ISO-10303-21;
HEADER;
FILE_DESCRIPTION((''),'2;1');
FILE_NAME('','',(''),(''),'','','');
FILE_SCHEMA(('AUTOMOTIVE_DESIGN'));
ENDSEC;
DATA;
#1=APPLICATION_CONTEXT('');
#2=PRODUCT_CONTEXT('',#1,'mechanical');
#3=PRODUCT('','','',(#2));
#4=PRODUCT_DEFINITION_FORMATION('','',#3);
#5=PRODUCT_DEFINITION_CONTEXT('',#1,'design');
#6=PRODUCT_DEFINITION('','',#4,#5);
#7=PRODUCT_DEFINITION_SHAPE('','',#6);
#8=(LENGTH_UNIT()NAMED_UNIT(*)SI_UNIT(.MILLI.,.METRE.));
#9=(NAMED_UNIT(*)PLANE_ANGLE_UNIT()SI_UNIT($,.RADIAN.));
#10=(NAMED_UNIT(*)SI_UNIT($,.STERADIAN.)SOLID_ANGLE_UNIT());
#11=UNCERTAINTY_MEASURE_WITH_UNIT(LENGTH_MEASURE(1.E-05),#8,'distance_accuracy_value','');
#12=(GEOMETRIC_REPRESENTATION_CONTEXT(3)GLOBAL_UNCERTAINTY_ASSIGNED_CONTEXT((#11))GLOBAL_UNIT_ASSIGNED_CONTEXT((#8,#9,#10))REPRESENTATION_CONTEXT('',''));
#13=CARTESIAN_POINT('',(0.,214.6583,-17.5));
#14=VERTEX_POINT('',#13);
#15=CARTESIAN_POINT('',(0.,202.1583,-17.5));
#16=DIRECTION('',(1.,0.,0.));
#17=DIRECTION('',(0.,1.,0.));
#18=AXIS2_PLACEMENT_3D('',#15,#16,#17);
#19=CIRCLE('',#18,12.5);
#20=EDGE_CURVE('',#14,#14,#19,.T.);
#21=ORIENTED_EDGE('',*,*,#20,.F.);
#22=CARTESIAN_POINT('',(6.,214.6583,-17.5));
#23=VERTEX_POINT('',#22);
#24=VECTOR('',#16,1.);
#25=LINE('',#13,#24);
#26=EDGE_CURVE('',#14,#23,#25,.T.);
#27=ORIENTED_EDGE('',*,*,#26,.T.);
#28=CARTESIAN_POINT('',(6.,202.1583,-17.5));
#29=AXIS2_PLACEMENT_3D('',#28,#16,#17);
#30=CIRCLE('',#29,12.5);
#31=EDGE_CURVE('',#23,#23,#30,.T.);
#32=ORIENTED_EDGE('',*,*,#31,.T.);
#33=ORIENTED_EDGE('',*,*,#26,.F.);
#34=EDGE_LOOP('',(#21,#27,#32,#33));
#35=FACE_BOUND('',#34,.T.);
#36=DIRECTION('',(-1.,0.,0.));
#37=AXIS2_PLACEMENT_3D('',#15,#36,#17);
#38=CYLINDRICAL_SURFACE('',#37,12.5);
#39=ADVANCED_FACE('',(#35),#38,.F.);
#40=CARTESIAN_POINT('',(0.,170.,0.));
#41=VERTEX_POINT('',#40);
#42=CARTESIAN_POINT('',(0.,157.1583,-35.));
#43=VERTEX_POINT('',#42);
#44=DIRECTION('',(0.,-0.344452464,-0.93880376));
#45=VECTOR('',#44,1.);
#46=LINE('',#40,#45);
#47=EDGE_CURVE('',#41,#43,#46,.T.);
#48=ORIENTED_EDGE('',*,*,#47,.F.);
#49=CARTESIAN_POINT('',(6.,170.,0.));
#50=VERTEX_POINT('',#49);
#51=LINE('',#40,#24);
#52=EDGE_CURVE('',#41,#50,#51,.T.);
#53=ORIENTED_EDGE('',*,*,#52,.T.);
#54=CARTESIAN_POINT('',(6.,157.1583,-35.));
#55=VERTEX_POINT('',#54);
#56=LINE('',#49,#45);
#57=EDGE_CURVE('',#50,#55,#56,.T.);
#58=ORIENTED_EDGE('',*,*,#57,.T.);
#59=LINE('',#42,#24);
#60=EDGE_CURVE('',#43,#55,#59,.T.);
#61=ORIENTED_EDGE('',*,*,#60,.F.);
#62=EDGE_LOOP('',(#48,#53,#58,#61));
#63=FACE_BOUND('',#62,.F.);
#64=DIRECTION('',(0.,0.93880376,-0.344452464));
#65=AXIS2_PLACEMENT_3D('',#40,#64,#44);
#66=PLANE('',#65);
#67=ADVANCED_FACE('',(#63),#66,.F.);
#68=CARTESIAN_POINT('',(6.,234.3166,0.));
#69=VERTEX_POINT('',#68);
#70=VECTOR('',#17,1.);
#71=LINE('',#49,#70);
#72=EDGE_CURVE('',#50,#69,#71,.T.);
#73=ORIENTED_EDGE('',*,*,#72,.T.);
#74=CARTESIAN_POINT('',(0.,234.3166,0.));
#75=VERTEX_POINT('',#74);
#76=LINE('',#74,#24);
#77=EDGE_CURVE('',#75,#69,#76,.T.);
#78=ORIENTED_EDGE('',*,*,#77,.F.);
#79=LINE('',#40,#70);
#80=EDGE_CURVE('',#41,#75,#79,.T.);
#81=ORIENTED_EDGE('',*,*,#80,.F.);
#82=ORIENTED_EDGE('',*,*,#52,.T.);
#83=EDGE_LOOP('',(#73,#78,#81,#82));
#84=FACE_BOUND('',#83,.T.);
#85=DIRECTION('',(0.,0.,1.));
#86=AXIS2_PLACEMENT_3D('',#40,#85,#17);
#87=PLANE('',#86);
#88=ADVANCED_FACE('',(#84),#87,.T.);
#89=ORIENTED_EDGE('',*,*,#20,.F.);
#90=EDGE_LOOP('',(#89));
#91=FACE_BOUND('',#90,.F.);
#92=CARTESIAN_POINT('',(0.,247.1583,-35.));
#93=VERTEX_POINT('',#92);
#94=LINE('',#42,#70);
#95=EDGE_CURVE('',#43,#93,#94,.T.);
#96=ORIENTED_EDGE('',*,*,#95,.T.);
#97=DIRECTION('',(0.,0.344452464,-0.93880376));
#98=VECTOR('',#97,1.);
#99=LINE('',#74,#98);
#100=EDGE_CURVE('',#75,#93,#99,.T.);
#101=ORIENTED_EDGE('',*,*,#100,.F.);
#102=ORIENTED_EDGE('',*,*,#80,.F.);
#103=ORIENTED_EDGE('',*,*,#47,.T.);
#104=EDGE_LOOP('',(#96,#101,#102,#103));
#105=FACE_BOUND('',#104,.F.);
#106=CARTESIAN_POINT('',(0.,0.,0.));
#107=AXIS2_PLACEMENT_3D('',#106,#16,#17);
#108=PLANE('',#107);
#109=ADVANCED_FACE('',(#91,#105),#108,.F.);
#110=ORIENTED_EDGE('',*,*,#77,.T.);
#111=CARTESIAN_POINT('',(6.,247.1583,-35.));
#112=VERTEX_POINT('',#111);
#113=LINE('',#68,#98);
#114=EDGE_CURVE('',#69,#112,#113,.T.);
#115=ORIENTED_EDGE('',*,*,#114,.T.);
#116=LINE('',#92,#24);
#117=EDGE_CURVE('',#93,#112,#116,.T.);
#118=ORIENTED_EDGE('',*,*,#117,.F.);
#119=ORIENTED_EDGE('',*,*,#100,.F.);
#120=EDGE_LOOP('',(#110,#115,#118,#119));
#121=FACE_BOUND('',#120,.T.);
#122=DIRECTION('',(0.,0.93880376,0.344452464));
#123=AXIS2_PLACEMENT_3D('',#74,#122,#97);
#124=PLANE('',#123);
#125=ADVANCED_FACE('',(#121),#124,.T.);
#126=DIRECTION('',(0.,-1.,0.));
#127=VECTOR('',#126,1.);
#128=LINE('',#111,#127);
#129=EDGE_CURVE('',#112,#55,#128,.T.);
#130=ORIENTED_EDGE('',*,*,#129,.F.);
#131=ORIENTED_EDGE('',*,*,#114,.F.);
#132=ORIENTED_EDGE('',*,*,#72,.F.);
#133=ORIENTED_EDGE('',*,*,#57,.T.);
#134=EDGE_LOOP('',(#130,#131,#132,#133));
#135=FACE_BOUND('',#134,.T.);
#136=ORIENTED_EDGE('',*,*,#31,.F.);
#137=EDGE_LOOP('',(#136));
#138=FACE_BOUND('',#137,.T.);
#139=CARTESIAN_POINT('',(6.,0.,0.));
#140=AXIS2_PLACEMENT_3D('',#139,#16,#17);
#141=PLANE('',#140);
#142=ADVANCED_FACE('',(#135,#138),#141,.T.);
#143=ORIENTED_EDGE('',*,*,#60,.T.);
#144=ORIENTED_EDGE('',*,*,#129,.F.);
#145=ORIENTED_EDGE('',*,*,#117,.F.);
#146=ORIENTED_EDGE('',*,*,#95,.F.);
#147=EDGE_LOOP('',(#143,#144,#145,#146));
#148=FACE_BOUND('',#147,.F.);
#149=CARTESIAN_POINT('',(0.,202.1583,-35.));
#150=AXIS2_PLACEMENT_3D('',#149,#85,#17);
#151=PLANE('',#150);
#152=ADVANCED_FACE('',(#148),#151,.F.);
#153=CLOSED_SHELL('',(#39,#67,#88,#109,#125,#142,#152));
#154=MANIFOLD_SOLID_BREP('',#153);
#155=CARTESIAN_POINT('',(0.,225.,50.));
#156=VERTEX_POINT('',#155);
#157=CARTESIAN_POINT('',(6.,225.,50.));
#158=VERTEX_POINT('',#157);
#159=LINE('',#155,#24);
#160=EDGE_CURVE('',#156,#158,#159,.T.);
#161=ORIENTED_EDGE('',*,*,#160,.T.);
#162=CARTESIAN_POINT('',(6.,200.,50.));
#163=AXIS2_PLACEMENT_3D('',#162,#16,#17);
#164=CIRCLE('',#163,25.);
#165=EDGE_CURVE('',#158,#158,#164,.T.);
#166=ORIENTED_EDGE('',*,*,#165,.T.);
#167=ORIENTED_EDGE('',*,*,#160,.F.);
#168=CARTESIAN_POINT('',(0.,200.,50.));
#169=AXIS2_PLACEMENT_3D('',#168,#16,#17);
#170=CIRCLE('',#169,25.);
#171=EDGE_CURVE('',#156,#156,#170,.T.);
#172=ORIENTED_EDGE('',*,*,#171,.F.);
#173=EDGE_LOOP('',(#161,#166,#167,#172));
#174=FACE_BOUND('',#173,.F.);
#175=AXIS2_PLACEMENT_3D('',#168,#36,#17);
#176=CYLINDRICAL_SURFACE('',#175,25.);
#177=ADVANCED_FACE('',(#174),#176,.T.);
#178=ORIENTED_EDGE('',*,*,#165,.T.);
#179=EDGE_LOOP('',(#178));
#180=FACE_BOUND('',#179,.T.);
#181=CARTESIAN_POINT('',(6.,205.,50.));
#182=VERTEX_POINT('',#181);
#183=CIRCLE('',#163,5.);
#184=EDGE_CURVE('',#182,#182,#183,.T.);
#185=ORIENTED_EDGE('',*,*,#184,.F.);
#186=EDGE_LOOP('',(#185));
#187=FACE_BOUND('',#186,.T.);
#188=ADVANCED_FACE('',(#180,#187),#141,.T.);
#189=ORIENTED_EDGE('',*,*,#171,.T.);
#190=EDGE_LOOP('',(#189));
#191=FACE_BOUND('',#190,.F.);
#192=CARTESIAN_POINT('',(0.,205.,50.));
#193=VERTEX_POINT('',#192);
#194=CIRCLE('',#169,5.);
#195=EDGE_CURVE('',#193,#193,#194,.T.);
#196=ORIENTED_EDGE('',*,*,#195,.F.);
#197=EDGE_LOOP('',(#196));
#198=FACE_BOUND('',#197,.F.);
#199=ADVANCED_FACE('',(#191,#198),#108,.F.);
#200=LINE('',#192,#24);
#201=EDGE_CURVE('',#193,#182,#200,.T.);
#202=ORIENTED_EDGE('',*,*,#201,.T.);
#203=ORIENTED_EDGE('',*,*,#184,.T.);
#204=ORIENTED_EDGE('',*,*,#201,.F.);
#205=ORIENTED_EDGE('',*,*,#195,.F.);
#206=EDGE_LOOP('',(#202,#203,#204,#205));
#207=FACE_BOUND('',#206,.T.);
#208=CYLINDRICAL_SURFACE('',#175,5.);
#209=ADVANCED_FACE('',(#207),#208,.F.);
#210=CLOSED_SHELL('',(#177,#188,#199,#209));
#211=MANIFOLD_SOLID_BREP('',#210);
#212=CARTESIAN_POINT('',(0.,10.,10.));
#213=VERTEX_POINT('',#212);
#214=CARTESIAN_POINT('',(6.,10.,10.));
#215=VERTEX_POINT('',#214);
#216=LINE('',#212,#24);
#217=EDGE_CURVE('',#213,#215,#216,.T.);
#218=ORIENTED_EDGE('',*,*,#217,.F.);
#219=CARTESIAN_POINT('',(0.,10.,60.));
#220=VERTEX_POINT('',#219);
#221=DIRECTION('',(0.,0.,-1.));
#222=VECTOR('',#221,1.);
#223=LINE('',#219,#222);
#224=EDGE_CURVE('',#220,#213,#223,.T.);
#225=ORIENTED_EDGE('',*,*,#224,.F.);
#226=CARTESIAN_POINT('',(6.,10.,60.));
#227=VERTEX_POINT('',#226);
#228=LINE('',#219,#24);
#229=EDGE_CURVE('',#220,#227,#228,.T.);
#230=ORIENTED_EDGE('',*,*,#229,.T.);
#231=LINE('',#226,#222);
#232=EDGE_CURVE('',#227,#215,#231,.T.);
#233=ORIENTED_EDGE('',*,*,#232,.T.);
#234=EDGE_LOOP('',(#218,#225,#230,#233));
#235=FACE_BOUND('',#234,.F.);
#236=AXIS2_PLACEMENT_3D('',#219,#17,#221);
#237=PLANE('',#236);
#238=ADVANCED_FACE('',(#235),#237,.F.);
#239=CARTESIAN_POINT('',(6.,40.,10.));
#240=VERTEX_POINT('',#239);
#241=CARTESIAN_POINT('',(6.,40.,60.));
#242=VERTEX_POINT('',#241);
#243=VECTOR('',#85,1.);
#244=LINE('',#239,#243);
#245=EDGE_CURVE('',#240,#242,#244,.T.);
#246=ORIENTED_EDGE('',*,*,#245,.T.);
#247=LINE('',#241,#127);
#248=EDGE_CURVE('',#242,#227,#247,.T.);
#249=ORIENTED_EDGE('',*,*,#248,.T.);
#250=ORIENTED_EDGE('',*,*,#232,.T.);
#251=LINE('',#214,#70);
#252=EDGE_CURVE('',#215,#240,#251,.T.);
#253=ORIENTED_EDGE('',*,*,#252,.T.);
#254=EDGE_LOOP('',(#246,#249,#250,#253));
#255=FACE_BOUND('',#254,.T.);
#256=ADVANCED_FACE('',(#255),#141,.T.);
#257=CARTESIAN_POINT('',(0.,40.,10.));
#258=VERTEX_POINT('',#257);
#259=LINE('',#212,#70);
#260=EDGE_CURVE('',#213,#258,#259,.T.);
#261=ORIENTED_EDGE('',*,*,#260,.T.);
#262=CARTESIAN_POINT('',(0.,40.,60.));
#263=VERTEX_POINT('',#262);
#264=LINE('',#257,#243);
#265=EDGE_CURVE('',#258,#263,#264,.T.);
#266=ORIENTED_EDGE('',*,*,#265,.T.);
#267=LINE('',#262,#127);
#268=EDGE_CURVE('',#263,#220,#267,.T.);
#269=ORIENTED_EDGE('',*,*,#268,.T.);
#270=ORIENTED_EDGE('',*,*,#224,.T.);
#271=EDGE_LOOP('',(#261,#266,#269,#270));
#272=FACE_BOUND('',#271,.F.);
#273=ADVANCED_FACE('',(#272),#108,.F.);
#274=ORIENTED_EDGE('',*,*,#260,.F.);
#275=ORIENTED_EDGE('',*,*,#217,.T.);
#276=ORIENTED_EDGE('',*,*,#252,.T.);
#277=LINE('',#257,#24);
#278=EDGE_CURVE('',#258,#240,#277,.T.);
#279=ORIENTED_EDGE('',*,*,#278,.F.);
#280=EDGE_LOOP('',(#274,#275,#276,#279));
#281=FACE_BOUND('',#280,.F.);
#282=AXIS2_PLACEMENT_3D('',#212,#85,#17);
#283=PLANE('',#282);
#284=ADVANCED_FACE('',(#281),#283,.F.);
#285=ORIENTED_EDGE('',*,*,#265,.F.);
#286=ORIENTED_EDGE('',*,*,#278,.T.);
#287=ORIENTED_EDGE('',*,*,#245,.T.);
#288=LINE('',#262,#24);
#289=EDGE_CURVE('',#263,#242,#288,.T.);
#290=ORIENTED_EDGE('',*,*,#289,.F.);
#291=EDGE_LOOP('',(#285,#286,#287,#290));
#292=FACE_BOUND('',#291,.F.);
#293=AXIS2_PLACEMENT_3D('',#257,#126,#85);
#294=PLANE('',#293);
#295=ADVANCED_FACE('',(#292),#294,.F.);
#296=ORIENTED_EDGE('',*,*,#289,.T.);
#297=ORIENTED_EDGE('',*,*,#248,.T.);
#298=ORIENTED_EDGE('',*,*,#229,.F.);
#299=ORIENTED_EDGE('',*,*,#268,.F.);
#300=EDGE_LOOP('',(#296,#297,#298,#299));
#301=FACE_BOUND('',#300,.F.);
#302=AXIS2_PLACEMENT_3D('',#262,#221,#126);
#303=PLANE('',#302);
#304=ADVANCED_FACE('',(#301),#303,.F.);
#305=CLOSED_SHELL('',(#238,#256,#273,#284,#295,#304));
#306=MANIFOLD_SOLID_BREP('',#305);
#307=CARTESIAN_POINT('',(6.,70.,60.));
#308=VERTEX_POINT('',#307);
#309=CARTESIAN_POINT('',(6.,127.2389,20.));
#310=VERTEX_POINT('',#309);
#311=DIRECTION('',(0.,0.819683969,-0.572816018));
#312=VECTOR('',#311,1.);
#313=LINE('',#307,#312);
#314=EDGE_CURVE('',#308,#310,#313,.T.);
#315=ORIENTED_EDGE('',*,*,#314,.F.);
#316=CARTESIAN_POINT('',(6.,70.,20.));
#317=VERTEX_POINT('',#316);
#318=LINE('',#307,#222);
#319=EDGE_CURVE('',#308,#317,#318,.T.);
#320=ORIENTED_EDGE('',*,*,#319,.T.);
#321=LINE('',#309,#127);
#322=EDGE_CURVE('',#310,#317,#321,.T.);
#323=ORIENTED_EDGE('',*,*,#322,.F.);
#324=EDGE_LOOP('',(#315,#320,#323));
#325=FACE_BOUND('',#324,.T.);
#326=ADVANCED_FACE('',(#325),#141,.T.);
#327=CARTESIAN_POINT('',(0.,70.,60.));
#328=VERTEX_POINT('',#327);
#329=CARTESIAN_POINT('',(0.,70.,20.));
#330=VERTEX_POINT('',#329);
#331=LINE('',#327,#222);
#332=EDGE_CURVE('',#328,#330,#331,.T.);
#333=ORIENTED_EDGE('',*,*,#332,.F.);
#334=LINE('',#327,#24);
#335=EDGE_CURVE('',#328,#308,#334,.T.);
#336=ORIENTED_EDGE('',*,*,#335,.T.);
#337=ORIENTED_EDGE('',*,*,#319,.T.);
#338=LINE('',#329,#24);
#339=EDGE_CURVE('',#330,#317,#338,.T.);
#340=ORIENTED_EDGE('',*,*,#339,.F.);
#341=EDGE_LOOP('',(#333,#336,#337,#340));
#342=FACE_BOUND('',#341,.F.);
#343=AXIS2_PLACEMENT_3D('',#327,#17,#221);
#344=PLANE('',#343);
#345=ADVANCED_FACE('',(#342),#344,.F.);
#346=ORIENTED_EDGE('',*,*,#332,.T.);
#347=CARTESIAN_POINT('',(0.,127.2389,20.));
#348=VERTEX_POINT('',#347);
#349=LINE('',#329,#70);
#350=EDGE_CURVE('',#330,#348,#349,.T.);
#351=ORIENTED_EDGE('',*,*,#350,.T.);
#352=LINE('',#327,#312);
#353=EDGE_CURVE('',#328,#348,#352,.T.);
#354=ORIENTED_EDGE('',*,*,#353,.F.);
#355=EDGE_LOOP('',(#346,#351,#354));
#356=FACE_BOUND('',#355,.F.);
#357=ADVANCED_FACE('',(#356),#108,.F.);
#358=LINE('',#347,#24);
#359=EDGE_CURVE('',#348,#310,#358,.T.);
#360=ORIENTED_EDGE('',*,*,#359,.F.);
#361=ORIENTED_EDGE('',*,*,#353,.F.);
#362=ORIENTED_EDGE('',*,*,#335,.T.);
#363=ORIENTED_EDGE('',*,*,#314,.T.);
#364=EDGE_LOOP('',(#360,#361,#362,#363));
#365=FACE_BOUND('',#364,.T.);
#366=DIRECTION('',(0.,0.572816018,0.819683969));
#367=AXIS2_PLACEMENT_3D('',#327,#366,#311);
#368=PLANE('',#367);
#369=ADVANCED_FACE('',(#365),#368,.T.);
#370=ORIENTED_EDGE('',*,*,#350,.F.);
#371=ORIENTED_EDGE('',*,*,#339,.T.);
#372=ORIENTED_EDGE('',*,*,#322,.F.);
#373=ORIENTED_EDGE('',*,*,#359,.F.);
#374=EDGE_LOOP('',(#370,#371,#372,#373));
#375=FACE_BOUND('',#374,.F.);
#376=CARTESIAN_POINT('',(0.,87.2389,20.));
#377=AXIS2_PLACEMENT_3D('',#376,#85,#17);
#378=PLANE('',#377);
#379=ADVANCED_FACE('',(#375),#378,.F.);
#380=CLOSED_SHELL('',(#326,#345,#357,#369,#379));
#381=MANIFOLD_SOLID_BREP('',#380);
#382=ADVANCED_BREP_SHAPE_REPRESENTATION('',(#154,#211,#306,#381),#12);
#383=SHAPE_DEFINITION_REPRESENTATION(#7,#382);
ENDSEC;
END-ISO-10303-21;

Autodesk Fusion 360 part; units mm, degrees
sketch "Sketch1" plane through (0, 0, 0) normal (1, 0, 0) x (0, 1, 0)
  line L0 (10, 10) -> (40, 10)
  line L1 (40, 10) -> (40, 60)
  line L2 (40, 60) -> (10, 60)
  line L3 (10, 60) -> (10, 10)
  line L4 (70, 60) -> (70, 20)
  line L5 (70, 20) -> (87.2389, 20)
  line L6 (87.2389, 20) -> (127.2389, 20)
  line L7 (70, 60) -> (127.2389, 20)
  circle A0 centre (200, 50) radius 25
  circle A1 centre (200, 50) radius 5
  line L8 (170, 0) -> (234.3166, 0)
  line L9 (202.1583, 0) -> (202.1583, -35) construction
  line L10 (202.1583, -35) -> (247.1583, -35)
  line L11 (202.1583, -35) -> (157.1583, -35)
  line L12 (170, 0) -> (157.1583, -35)
  line L13 (234.3166, 0) -> (247.1583, -35)
  circle A2 centre (202.1583, -17.5) radius 12.5
  dimension "d1" = 30
  dimension "d2" = 50
  dimension "d3" = 40
  dimension "d4" = 40
  dimension "d5" = 50
  dimension "d6" = 10
  dimension "d7" = 35
  dimension "d8" = 45
  dimension "d9" = 45
  dimension "d10" = 25
extrude "Extrude1" add sketch "Sketch1" along normal blind 6 makes body 1 at (0, 89.0796, 33.3333) makes body 2 at (0, 218.2216, 48.5096) makes body 3 at (0, 20, 43.3333) makes body 4 at (0, 172.2722, -17.5)
